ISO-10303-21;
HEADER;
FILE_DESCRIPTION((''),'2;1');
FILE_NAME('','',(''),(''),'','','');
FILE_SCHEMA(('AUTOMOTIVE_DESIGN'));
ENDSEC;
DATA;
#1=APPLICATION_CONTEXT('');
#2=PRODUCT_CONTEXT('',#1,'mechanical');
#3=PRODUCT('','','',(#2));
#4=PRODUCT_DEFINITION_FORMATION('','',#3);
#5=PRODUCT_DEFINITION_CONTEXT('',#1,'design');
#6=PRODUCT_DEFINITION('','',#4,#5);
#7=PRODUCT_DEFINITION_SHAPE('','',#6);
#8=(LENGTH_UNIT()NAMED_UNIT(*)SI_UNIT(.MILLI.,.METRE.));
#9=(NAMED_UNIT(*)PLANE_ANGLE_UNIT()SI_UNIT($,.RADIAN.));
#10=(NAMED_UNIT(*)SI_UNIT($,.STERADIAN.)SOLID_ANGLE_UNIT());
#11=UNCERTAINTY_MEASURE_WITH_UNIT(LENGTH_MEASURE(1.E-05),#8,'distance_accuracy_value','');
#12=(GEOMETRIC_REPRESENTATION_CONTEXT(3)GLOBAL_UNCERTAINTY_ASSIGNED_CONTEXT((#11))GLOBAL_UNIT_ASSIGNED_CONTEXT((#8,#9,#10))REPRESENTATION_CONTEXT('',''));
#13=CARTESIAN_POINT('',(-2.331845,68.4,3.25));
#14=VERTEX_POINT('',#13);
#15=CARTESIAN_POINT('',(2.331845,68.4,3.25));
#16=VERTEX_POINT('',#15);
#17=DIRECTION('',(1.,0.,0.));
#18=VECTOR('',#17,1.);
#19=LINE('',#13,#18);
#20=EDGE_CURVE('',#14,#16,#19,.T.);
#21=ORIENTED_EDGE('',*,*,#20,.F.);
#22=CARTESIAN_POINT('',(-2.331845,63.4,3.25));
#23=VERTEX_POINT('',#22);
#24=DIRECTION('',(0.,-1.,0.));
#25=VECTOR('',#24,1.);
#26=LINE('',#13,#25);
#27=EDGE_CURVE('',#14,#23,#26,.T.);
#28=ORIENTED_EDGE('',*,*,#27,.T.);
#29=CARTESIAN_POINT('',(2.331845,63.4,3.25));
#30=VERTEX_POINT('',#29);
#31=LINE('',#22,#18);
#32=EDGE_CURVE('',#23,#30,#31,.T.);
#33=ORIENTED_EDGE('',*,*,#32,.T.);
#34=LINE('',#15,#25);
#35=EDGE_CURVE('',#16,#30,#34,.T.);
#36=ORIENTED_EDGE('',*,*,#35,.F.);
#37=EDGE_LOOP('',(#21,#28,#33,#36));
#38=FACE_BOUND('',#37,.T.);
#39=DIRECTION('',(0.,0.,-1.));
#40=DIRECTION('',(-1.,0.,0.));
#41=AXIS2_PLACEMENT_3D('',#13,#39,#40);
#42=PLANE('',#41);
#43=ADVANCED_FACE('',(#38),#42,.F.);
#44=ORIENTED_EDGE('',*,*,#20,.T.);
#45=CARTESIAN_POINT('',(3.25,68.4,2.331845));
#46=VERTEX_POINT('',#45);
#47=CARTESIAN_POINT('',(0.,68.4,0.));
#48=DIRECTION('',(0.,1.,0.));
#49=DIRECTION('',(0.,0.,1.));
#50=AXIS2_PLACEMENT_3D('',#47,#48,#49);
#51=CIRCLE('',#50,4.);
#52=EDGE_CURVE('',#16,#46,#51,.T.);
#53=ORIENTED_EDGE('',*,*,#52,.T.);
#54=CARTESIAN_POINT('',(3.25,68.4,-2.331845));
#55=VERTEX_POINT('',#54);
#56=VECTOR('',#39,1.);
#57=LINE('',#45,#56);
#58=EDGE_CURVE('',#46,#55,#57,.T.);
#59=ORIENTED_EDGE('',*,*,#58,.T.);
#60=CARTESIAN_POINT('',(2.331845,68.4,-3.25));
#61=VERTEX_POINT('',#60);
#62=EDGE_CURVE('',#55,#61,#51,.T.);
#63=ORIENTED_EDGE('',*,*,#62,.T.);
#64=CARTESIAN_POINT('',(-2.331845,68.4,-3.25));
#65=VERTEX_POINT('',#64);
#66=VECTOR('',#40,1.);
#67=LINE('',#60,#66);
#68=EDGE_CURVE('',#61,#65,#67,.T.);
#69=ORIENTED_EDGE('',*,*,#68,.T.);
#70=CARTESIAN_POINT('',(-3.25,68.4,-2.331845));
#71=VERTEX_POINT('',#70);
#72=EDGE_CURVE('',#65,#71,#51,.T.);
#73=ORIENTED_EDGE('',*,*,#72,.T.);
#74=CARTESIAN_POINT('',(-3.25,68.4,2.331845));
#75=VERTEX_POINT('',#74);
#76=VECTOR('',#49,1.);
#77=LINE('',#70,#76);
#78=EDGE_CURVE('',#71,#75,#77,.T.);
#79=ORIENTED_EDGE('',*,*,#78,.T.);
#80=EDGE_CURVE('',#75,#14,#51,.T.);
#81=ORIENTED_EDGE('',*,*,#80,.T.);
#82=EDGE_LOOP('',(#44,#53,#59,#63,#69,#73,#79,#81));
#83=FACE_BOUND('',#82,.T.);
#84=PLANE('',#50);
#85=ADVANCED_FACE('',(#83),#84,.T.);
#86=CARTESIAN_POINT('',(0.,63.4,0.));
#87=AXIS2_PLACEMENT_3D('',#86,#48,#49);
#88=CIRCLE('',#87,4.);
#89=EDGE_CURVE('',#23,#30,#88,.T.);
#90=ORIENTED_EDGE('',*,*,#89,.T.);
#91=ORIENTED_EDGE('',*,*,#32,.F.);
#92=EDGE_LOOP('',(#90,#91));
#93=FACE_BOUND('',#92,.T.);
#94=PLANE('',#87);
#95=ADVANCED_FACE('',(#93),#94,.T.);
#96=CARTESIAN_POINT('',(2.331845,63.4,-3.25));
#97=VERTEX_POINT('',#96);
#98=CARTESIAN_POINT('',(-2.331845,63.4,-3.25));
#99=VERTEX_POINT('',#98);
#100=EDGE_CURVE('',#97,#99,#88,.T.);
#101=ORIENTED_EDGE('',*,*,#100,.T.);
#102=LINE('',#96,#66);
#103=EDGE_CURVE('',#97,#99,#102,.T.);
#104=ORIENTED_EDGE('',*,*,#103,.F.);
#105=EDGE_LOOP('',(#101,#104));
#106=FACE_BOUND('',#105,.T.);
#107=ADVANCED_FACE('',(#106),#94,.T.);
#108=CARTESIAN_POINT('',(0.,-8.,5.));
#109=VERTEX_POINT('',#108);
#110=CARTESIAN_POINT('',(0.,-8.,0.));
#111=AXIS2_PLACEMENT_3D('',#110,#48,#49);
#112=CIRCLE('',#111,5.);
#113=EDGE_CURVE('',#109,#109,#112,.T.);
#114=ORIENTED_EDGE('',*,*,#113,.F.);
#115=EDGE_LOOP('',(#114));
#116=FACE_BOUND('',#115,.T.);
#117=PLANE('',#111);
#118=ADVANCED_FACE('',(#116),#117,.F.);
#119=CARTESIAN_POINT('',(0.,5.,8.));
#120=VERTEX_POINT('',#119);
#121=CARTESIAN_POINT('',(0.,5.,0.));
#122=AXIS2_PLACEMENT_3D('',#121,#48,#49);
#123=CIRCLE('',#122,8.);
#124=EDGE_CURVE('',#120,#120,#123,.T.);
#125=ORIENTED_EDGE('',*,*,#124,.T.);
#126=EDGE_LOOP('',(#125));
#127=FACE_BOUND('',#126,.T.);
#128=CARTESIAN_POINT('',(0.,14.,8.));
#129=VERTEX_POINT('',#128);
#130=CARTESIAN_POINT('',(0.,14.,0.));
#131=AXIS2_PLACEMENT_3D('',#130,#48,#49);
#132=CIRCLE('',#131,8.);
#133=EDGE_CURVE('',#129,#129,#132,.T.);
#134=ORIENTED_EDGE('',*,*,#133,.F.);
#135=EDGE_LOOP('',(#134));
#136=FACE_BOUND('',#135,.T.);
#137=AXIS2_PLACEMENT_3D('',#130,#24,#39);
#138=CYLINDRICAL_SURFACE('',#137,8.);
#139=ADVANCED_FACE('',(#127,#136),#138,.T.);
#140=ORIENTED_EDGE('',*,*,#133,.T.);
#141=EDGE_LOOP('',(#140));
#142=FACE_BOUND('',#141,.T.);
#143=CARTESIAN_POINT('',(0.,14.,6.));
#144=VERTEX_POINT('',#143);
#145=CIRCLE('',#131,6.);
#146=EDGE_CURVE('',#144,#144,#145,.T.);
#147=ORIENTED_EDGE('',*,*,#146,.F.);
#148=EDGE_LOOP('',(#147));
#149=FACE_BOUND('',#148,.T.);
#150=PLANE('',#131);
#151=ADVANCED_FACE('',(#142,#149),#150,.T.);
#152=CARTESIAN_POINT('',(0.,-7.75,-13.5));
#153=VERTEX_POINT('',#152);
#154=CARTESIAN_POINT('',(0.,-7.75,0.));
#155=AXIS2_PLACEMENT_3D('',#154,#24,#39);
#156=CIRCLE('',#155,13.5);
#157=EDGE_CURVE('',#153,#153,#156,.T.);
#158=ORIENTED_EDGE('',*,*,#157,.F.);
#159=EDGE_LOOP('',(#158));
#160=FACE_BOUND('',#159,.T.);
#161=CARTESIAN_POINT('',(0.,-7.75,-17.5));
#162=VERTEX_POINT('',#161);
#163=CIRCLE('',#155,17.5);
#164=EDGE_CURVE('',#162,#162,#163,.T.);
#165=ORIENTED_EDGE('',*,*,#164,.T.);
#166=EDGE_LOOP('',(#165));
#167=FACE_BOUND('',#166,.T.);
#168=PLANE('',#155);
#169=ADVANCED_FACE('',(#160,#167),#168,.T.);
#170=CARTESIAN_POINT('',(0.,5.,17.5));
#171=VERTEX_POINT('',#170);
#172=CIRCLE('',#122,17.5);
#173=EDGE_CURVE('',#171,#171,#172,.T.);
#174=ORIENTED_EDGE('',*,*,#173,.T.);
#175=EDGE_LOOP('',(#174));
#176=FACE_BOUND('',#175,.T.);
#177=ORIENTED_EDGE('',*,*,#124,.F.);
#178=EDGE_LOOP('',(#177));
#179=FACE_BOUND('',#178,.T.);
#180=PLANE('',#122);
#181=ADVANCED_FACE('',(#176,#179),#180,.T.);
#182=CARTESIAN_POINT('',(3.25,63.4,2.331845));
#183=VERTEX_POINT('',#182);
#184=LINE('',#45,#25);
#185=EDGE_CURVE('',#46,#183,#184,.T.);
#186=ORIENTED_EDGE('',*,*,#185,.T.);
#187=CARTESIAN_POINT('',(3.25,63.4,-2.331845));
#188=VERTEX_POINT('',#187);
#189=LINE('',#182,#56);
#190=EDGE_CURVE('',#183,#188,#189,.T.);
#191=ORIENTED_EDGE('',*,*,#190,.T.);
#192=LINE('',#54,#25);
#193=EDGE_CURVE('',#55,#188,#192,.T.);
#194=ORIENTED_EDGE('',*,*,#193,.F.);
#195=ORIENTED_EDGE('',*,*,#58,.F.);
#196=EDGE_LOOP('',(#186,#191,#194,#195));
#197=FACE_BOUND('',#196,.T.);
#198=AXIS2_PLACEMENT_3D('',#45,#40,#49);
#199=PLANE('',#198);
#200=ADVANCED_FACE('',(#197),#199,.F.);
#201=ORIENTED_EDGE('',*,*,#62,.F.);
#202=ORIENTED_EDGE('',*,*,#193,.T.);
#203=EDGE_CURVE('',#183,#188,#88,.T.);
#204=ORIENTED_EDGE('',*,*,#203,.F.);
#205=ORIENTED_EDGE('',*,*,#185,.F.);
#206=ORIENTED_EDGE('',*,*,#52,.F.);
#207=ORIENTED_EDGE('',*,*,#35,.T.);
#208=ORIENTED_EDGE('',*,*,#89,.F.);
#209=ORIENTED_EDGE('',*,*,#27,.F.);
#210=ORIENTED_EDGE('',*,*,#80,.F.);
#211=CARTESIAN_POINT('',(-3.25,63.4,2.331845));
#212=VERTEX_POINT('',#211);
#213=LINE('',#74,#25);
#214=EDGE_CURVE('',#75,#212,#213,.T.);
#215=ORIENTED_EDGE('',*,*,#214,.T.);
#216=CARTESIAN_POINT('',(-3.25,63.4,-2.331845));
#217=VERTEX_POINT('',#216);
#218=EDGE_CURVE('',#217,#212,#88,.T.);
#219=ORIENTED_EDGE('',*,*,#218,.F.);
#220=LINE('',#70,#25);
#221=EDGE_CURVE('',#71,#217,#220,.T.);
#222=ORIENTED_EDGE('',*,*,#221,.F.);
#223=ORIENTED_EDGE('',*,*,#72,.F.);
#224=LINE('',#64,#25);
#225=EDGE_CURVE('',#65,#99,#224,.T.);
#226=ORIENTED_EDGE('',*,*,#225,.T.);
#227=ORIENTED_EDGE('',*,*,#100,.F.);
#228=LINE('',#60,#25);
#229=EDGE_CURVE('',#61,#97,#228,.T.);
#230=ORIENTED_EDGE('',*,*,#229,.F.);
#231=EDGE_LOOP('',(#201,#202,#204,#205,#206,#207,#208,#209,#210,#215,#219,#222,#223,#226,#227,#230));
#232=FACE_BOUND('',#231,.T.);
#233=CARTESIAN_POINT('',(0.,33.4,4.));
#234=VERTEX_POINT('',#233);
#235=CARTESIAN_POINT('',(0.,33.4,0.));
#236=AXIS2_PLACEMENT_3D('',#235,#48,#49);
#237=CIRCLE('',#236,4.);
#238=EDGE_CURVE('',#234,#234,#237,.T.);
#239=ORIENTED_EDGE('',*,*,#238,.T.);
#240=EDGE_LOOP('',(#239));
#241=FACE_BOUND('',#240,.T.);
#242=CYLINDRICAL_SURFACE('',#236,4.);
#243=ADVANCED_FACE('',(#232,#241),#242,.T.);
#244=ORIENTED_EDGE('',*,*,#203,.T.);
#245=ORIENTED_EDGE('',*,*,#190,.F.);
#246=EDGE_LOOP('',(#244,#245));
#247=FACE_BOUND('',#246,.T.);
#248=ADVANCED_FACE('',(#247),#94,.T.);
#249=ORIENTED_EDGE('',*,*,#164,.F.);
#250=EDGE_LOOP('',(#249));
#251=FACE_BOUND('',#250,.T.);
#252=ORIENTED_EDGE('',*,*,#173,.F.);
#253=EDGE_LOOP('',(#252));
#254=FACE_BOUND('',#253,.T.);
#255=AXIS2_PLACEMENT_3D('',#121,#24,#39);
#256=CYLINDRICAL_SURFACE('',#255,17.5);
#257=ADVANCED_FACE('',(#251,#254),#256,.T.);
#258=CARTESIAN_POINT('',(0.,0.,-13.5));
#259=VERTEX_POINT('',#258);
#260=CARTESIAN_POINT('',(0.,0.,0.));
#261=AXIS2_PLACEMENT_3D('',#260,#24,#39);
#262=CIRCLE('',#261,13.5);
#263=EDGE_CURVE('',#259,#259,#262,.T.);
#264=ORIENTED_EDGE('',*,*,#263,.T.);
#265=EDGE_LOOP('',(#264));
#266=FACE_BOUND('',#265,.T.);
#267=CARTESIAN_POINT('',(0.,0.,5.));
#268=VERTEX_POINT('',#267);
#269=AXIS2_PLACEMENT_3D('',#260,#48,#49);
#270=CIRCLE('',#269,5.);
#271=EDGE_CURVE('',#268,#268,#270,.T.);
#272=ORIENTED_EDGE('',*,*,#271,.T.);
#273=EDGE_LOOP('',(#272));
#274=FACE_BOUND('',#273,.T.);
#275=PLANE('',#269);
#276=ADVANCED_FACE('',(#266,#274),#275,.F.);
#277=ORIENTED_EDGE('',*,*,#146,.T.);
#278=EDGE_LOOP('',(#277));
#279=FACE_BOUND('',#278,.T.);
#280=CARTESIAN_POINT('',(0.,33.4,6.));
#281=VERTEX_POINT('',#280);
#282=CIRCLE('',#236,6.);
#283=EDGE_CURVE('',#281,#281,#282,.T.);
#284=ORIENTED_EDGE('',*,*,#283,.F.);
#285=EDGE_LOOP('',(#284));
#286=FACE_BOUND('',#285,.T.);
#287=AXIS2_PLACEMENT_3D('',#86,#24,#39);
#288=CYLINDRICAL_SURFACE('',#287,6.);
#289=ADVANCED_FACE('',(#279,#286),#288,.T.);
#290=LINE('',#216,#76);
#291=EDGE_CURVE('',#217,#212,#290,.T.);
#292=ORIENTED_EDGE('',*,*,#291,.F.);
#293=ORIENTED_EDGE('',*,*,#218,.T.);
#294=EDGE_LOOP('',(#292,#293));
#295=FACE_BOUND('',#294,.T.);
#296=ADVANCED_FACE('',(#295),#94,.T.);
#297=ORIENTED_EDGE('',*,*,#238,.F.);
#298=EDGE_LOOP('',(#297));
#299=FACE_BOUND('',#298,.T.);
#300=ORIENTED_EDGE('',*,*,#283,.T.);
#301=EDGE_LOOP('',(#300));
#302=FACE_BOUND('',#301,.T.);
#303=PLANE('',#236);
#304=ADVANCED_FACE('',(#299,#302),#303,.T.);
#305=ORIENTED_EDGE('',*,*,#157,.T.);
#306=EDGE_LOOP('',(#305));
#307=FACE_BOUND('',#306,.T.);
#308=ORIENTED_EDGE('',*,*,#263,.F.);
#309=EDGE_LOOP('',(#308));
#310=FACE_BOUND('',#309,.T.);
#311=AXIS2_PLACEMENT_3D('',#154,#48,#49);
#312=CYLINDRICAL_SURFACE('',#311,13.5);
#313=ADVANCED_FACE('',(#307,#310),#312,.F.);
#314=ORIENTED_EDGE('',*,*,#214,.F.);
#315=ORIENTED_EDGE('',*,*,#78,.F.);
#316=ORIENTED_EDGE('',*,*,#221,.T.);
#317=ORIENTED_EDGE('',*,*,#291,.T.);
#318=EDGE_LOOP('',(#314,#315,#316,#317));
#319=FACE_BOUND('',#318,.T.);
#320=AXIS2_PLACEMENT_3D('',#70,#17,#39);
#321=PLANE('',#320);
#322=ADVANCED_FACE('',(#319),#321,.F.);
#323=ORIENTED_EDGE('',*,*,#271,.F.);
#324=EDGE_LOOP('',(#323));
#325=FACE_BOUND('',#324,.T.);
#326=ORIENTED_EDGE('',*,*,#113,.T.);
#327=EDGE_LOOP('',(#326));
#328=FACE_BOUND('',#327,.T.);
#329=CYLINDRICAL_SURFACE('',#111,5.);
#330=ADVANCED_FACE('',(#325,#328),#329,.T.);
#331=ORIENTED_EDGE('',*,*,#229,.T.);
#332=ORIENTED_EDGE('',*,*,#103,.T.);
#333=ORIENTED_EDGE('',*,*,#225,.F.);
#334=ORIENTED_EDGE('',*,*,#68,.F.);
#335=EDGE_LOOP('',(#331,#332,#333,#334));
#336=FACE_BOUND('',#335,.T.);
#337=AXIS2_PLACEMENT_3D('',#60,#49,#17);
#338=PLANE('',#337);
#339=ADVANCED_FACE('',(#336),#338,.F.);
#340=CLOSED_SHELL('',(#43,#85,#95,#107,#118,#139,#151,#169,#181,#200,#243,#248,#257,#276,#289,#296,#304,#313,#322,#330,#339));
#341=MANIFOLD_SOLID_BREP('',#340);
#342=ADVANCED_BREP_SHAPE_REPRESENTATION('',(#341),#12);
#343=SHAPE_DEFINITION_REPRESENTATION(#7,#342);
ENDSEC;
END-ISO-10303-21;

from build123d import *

# Parameters (mm, degrees)
SKETCH1_R           = 5
BOSS_EXTRUDE1_DEPTH = 8
SKETCH2_R           = 17.5
BOSS_EXTRUDE2_DEPTH = 5
BOSS_EXTRUDE3_START = 7.75
SKETCH3_R           = 17.5
SKETCH3_R_2         = 13.5
BOSS_EXTRUDE3_DEPTH = 7.75
SKETCH4_R           = 6
BOSS_EXTRUDE4_DEPTH = 58.4
SKETCH7_R           = 7.998050104
SKETCH7_R_2         = 4
CUT_EXTRUDE1_DEPTH  = 30
SKETCH8_R           = 8
SKETCH8_R_2         = 6
BOSS_EXTRUDE6_DEPTH = 9
BOSS_EXTRUDE7_START = 5
BOSS_EXTRUDE7_DEPTH = 5


with BuildPart() as part:
    # Sketch1 → Boss-Extrude1 (new body)
    with BuildSketch(Plane(origin=(0, 0, 0), x_dir=(1, 0, 0), z_dir=(0, 1, 0))):
        with Locations(Location((0, 0, 0), (0, 0, 270))):
            Circle(SKETCH1_R)
    extrude(amount=-BOSS_EXTRUDE1_DEPTH)

    # Sketch2 → Boss-Extrude2 (add)
    with BuildSketch(Plane(origin=(0, 0, 0), x_dir=(1, 0, 0), z_dir=(0, 1, 0))):
        with Locations(Location((0, 0, 0), (0, 0, 270))):
            Circle(SKETCH2_R)
    extrude(amount=BOSS_EXTRUDE2_DEPTH)

    # Sketch3 → Boss-Extrude3 (add)
    with BuildSketch(Plane.XZ.offset(BOSS_EXTRUDE3_START)):
        with Locations(Location((0, 0, 0), (0, 0, 270))):
            Circle(SKETCH3_R)
        with Locations(Location((0, 0, 0), (0, 0, 270))):
            Circle(SKETCH3_R_2, mode=Mode.SUBTRACT)
    extrude(amount=-BOSS_EXTRUDE3_DEPTH)

    # Sketch4 → Boss-Extrude4 (add)
    with BuildSketch(Plane(origin=(0, 5, 0), x_dir=(1, 0, 0), z_dir=(0, 1, 0))):
        with Locations(Location((0, 0, 0), (0, 0, 270))):
            Circle(SKETCH4_R)
    extrude(amount=BOSS_EXTRUDE4_DEPTH)

    # Sketch7 → Cut-Extrude1 (cut)
    with BuildSketch(Plane(origin=(0, 63.4, 0), x_dir=(1, 0, 0), z_dir=(0, 1, 0))):
        Circle(SKETCH7_R)
        with Locations(Location((0, 0, 0), (0, 0, 270))):
            Circle(SKETCH7_R_2, mode=Mode.SUBTRACT)
    extrude(amount=-CUT_EXTRUDE1_DEPTH, mode=Mode.SUBTRACT)

    # Sketch8 → Boss-Extrude6 (add)
    with BuildSketch(Plane(origin=(0, 5, 0), x_dir=(1, 0, 0), z_dir=(0, 1, 0))):
        with Locations(Location((0, 0, 0), (0, 0, 270))):
            Circle(SKETCH8_R)
        with Locations(Location((0, 0, 0), (0, 0, 270))):
            Circle(SKETCH8_R_2, mode=Mode.SUBTRACT)
    extrude(amount=BOSS_EXTRUDE6_DEPTH)

    # Sketch10 → Boss-Extrude7 (add)
    with BuildSketch(Plane(origin=(0, 63.4, 0), x_dir=(1, 0, 0), z_dir=(0, 1, 0)).offset(BOSS_EXTRUDE7_START)):
        with BuildLine():
            Line((-3.25, 2.331844763), (-3.25, -2.331844763))
            ThreePointArc((-3.25, -2.331844763), (-2.828427125, -2.828427125), (-2.331844763, -3.25))
            Line((-2.331844763, -3.25), (2.331844763, -3.25))
            ThreePointArc((2.331844763, -3.25), (2.828427125, -2.828427125), (3.25, -2.331844763))
            Line((3.25, -2.331844763), (3.25, 2.331844763))
            ThreePointArc((3.25, 2.331844763), (2.828427125, 2.828427125), (2.331844763, 3.25))
            Line((2.331844763, 3.25), (-2.331844763, 3.25))
            ThreePointArc((-2.331844763, 3.25), (-2.828427125, 2.828427125), (-3.25, 2.331844763))
        make_face()
    extrude(amount=-BOSS_EXTRUDE7_DEPTH)


solid = part.part
